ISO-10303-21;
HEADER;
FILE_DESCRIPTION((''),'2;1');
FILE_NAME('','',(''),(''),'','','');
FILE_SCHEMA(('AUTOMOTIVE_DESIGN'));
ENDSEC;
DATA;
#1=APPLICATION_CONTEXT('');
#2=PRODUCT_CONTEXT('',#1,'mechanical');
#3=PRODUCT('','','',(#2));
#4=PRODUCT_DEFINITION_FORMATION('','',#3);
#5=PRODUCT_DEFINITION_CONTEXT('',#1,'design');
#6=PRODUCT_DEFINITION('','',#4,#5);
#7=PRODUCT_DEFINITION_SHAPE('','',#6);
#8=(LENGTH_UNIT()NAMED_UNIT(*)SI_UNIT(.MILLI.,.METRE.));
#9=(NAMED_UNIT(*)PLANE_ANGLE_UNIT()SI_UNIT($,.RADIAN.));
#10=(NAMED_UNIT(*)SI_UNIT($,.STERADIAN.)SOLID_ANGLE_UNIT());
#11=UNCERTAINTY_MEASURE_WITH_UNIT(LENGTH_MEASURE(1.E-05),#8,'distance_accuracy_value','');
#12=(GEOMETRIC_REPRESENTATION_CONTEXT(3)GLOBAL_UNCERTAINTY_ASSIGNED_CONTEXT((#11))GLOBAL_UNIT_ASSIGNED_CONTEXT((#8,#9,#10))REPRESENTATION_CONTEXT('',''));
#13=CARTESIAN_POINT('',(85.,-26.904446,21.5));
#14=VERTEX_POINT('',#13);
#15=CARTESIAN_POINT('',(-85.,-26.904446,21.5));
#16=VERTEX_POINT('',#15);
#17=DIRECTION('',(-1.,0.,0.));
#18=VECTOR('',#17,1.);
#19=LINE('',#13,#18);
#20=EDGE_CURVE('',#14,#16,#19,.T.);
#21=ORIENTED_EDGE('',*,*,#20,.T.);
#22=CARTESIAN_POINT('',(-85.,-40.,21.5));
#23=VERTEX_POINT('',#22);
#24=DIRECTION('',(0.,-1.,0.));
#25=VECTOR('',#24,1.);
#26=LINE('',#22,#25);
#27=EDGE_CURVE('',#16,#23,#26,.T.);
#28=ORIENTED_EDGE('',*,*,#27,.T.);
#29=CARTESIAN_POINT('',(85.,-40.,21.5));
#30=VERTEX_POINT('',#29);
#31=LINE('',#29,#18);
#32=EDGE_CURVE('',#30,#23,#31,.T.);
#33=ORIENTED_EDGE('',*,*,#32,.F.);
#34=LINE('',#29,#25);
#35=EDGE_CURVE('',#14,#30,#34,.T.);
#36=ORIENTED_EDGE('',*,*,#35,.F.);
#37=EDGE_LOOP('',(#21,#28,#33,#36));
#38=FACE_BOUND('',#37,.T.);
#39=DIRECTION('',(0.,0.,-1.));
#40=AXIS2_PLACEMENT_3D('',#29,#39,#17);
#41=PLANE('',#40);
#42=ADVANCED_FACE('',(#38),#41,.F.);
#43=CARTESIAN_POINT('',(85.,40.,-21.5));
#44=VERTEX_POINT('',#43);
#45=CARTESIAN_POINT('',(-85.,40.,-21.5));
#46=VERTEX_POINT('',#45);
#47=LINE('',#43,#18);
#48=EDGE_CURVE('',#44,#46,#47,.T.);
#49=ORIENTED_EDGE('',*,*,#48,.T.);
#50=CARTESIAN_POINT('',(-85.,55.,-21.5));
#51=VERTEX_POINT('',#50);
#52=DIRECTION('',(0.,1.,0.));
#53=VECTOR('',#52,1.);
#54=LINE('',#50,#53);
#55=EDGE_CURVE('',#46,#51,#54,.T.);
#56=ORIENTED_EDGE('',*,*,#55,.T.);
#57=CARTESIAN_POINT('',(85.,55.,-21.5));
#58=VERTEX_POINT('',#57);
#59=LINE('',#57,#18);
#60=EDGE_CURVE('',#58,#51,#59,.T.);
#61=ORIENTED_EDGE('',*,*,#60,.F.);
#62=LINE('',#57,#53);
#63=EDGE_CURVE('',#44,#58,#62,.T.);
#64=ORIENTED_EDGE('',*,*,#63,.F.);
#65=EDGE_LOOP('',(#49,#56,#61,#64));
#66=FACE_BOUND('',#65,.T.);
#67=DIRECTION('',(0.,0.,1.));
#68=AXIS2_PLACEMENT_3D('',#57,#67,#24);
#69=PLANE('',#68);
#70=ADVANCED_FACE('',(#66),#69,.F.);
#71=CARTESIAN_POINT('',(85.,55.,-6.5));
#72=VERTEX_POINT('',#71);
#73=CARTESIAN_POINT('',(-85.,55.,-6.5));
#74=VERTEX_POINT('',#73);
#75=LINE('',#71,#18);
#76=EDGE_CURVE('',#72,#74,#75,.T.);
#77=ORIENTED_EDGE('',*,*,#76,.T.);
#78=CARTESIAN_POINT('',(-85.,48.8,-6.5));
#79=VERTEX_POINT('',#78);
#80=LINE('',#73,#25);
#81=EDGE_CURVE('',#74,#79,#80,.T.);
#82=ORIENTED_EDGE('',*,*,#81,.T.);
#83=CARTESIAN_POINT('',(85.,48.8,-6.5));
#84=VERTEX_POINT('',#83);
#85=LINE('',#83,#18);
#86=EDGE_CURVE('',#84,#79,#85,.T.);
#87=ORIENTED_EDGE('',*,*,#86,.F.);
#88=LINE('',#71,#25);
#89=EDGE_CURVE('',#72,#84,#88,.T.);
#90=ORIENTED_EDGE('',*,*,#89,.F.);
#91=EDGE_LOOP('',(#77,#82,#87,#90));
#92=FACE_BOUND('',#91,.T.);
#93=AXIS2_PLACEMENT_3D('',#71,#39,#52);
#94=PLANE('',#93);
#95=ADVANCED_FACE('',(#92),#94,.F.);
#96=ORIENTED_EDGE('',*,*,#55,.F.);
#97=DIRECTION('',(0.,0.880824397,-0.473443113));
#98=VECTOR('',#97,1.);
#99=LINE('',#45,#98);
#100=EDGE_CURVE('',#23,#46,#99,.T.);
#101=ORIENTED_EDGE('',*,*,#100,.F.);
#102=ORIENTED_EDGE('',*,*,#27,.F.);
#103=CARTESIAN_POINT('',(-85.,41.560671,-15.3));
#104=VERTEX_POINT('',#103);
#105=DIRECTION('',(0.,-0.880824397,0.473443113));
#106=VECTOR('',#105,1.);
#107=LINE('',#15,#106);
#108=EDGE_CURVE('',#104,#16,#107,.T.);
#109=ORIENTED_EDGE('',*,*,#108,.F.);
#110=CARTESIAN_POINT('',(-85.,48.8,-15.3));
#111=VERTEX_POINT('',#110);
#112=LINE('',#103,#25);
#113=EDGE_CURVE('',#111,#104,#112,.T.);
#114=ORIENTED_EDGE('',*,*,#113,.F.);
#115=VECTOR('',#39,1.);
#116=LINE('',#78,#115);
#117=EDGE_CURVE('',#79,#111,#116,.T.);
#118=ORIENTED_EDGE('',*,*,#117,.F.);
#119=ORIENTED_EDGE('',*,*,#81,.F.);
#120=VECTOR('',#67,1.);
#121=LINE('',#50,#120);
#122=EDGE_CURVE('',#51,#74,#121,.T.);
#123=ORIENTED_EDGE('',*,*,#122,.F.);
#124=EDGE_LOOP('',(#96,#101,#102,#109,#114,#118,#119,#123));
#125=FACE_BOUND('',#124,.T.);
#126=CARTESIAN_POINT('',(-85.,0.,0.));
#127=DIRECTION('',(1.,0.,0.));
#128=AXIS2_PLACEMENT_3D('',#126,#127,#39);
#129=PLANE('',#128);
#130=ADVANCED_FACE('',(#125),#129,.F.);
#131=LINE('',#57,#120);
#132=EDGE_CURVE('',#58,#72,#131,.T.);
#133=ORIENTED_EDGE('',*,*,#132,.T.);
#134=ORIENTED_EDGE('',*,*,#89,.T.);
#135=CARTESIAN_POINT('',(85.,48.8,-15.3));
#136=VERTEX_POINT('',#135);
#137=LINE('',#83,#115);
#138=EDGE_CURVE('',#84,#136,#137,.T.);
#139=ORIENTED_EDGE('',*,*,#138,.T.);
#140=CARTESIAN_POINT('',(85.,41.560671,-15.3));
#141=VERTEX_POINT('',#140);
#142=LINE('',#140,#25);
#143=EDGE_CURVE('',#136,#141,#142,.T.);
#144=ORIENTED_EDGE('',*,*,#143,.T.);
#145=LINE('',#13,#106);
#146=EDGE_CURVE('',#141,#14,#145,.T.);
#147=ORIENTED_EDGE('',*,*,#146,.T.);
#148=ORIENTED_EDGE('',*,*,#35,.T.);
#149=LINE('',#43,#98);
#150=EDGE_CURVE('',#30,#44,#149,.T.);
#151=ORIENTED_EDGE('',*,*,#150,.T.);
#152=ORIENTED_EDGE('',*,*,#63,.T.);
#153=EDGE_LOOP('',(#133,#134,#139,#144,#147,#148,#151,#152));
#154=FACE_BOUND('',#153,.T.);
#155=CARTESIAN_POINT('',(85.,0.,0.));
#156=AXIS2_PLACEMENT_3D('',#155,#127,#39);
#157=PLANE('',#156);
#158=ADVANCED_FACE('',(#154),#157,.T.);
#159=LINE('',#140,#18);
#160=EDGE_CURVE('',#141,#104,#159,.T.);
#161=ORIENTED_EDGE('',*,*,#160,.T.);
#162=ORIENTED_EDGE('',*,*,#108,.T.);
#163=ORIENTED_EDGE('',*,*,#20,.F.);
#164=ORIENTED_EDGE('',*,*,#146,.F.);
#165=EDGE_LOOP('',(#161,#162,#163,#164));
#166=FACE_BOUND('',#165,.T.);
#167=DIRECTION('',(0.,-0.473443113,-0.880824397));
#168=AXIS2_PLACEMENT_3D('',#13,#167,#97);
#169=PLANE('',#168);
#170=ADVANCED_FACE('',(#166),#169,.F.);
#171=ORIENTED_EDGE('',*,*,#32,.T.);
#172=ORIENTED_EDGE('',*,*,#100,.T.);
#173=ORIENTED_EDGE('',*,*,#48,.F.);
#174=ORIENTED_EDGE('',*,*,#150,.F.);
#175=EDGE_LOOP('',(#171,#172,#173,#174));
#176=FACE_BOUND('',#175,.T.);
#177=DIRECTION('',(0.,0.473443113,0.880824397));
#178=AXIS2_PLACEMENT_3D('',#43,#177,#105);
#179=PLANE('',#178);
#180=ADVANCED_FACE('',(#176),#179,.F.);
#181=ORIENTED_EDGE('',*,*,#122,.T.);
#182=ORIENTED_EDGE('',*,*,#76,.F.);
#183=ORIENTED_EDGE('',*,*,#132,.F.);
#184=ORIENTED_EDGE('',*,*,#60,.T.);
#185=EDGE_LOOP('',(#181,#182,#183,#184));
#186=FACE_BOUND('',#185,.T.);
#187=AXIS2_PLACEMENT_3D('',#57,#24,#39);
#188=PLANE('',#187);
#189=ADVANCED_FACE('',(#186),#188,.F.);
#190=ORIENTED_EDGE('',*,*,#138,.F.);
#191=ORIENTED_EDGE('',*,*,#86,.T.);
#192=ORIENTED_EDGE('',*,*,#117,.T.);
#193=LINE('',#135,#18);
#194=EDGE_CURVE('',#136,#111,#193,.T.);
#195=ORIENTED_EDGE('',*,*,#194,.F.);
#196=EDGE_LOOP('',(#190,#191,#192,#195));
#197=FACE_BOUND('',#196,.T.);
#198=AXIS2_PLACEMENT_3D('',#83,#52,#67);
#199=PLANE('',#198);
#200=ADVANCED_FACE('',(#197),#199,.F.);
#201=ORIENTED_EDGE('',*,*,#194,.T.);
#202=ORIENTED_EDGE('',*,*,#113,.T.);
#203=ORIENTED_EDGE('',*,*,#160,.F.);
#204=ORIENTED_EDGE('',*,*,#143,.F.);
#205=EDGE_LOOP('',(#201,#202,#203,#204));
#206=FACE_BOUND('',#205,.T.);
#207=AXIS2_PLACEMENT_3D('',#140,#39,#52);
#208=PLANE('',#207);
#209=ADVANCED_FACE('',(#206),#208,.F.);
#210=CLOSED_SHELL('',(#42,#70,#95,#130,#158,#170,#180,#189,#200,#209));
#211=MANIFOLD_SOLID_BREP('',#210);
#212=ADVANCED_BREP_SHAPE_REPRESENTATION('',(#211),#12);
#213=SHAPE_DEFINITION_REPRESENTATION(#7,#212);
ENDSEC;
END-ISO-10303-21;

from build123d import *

# Parameters (mm, degrees)
BOSS_EXTRUDE1_DEPTH = 85


with BuildPart() as part:
    # Sketch1 → Boss-Extrude1 (new, symmetric)
    with BuildSketch(Plane(origin=(0, 0, 0), x_dir=(0, 0, -1), z_dir=(1, 0, 0))):
        Polygon((21.5, 55), (21.5, 40), (-21.5, -40), (-21.5, -26.904445699), (15.3, 41.56067058), (15.3, 48.8), (6.5, 48.8), (6.5, 55), align=None)
    extrude(amount=BOSS_EXTRUDE1_DEPTH, both=True)


solid = part.part
